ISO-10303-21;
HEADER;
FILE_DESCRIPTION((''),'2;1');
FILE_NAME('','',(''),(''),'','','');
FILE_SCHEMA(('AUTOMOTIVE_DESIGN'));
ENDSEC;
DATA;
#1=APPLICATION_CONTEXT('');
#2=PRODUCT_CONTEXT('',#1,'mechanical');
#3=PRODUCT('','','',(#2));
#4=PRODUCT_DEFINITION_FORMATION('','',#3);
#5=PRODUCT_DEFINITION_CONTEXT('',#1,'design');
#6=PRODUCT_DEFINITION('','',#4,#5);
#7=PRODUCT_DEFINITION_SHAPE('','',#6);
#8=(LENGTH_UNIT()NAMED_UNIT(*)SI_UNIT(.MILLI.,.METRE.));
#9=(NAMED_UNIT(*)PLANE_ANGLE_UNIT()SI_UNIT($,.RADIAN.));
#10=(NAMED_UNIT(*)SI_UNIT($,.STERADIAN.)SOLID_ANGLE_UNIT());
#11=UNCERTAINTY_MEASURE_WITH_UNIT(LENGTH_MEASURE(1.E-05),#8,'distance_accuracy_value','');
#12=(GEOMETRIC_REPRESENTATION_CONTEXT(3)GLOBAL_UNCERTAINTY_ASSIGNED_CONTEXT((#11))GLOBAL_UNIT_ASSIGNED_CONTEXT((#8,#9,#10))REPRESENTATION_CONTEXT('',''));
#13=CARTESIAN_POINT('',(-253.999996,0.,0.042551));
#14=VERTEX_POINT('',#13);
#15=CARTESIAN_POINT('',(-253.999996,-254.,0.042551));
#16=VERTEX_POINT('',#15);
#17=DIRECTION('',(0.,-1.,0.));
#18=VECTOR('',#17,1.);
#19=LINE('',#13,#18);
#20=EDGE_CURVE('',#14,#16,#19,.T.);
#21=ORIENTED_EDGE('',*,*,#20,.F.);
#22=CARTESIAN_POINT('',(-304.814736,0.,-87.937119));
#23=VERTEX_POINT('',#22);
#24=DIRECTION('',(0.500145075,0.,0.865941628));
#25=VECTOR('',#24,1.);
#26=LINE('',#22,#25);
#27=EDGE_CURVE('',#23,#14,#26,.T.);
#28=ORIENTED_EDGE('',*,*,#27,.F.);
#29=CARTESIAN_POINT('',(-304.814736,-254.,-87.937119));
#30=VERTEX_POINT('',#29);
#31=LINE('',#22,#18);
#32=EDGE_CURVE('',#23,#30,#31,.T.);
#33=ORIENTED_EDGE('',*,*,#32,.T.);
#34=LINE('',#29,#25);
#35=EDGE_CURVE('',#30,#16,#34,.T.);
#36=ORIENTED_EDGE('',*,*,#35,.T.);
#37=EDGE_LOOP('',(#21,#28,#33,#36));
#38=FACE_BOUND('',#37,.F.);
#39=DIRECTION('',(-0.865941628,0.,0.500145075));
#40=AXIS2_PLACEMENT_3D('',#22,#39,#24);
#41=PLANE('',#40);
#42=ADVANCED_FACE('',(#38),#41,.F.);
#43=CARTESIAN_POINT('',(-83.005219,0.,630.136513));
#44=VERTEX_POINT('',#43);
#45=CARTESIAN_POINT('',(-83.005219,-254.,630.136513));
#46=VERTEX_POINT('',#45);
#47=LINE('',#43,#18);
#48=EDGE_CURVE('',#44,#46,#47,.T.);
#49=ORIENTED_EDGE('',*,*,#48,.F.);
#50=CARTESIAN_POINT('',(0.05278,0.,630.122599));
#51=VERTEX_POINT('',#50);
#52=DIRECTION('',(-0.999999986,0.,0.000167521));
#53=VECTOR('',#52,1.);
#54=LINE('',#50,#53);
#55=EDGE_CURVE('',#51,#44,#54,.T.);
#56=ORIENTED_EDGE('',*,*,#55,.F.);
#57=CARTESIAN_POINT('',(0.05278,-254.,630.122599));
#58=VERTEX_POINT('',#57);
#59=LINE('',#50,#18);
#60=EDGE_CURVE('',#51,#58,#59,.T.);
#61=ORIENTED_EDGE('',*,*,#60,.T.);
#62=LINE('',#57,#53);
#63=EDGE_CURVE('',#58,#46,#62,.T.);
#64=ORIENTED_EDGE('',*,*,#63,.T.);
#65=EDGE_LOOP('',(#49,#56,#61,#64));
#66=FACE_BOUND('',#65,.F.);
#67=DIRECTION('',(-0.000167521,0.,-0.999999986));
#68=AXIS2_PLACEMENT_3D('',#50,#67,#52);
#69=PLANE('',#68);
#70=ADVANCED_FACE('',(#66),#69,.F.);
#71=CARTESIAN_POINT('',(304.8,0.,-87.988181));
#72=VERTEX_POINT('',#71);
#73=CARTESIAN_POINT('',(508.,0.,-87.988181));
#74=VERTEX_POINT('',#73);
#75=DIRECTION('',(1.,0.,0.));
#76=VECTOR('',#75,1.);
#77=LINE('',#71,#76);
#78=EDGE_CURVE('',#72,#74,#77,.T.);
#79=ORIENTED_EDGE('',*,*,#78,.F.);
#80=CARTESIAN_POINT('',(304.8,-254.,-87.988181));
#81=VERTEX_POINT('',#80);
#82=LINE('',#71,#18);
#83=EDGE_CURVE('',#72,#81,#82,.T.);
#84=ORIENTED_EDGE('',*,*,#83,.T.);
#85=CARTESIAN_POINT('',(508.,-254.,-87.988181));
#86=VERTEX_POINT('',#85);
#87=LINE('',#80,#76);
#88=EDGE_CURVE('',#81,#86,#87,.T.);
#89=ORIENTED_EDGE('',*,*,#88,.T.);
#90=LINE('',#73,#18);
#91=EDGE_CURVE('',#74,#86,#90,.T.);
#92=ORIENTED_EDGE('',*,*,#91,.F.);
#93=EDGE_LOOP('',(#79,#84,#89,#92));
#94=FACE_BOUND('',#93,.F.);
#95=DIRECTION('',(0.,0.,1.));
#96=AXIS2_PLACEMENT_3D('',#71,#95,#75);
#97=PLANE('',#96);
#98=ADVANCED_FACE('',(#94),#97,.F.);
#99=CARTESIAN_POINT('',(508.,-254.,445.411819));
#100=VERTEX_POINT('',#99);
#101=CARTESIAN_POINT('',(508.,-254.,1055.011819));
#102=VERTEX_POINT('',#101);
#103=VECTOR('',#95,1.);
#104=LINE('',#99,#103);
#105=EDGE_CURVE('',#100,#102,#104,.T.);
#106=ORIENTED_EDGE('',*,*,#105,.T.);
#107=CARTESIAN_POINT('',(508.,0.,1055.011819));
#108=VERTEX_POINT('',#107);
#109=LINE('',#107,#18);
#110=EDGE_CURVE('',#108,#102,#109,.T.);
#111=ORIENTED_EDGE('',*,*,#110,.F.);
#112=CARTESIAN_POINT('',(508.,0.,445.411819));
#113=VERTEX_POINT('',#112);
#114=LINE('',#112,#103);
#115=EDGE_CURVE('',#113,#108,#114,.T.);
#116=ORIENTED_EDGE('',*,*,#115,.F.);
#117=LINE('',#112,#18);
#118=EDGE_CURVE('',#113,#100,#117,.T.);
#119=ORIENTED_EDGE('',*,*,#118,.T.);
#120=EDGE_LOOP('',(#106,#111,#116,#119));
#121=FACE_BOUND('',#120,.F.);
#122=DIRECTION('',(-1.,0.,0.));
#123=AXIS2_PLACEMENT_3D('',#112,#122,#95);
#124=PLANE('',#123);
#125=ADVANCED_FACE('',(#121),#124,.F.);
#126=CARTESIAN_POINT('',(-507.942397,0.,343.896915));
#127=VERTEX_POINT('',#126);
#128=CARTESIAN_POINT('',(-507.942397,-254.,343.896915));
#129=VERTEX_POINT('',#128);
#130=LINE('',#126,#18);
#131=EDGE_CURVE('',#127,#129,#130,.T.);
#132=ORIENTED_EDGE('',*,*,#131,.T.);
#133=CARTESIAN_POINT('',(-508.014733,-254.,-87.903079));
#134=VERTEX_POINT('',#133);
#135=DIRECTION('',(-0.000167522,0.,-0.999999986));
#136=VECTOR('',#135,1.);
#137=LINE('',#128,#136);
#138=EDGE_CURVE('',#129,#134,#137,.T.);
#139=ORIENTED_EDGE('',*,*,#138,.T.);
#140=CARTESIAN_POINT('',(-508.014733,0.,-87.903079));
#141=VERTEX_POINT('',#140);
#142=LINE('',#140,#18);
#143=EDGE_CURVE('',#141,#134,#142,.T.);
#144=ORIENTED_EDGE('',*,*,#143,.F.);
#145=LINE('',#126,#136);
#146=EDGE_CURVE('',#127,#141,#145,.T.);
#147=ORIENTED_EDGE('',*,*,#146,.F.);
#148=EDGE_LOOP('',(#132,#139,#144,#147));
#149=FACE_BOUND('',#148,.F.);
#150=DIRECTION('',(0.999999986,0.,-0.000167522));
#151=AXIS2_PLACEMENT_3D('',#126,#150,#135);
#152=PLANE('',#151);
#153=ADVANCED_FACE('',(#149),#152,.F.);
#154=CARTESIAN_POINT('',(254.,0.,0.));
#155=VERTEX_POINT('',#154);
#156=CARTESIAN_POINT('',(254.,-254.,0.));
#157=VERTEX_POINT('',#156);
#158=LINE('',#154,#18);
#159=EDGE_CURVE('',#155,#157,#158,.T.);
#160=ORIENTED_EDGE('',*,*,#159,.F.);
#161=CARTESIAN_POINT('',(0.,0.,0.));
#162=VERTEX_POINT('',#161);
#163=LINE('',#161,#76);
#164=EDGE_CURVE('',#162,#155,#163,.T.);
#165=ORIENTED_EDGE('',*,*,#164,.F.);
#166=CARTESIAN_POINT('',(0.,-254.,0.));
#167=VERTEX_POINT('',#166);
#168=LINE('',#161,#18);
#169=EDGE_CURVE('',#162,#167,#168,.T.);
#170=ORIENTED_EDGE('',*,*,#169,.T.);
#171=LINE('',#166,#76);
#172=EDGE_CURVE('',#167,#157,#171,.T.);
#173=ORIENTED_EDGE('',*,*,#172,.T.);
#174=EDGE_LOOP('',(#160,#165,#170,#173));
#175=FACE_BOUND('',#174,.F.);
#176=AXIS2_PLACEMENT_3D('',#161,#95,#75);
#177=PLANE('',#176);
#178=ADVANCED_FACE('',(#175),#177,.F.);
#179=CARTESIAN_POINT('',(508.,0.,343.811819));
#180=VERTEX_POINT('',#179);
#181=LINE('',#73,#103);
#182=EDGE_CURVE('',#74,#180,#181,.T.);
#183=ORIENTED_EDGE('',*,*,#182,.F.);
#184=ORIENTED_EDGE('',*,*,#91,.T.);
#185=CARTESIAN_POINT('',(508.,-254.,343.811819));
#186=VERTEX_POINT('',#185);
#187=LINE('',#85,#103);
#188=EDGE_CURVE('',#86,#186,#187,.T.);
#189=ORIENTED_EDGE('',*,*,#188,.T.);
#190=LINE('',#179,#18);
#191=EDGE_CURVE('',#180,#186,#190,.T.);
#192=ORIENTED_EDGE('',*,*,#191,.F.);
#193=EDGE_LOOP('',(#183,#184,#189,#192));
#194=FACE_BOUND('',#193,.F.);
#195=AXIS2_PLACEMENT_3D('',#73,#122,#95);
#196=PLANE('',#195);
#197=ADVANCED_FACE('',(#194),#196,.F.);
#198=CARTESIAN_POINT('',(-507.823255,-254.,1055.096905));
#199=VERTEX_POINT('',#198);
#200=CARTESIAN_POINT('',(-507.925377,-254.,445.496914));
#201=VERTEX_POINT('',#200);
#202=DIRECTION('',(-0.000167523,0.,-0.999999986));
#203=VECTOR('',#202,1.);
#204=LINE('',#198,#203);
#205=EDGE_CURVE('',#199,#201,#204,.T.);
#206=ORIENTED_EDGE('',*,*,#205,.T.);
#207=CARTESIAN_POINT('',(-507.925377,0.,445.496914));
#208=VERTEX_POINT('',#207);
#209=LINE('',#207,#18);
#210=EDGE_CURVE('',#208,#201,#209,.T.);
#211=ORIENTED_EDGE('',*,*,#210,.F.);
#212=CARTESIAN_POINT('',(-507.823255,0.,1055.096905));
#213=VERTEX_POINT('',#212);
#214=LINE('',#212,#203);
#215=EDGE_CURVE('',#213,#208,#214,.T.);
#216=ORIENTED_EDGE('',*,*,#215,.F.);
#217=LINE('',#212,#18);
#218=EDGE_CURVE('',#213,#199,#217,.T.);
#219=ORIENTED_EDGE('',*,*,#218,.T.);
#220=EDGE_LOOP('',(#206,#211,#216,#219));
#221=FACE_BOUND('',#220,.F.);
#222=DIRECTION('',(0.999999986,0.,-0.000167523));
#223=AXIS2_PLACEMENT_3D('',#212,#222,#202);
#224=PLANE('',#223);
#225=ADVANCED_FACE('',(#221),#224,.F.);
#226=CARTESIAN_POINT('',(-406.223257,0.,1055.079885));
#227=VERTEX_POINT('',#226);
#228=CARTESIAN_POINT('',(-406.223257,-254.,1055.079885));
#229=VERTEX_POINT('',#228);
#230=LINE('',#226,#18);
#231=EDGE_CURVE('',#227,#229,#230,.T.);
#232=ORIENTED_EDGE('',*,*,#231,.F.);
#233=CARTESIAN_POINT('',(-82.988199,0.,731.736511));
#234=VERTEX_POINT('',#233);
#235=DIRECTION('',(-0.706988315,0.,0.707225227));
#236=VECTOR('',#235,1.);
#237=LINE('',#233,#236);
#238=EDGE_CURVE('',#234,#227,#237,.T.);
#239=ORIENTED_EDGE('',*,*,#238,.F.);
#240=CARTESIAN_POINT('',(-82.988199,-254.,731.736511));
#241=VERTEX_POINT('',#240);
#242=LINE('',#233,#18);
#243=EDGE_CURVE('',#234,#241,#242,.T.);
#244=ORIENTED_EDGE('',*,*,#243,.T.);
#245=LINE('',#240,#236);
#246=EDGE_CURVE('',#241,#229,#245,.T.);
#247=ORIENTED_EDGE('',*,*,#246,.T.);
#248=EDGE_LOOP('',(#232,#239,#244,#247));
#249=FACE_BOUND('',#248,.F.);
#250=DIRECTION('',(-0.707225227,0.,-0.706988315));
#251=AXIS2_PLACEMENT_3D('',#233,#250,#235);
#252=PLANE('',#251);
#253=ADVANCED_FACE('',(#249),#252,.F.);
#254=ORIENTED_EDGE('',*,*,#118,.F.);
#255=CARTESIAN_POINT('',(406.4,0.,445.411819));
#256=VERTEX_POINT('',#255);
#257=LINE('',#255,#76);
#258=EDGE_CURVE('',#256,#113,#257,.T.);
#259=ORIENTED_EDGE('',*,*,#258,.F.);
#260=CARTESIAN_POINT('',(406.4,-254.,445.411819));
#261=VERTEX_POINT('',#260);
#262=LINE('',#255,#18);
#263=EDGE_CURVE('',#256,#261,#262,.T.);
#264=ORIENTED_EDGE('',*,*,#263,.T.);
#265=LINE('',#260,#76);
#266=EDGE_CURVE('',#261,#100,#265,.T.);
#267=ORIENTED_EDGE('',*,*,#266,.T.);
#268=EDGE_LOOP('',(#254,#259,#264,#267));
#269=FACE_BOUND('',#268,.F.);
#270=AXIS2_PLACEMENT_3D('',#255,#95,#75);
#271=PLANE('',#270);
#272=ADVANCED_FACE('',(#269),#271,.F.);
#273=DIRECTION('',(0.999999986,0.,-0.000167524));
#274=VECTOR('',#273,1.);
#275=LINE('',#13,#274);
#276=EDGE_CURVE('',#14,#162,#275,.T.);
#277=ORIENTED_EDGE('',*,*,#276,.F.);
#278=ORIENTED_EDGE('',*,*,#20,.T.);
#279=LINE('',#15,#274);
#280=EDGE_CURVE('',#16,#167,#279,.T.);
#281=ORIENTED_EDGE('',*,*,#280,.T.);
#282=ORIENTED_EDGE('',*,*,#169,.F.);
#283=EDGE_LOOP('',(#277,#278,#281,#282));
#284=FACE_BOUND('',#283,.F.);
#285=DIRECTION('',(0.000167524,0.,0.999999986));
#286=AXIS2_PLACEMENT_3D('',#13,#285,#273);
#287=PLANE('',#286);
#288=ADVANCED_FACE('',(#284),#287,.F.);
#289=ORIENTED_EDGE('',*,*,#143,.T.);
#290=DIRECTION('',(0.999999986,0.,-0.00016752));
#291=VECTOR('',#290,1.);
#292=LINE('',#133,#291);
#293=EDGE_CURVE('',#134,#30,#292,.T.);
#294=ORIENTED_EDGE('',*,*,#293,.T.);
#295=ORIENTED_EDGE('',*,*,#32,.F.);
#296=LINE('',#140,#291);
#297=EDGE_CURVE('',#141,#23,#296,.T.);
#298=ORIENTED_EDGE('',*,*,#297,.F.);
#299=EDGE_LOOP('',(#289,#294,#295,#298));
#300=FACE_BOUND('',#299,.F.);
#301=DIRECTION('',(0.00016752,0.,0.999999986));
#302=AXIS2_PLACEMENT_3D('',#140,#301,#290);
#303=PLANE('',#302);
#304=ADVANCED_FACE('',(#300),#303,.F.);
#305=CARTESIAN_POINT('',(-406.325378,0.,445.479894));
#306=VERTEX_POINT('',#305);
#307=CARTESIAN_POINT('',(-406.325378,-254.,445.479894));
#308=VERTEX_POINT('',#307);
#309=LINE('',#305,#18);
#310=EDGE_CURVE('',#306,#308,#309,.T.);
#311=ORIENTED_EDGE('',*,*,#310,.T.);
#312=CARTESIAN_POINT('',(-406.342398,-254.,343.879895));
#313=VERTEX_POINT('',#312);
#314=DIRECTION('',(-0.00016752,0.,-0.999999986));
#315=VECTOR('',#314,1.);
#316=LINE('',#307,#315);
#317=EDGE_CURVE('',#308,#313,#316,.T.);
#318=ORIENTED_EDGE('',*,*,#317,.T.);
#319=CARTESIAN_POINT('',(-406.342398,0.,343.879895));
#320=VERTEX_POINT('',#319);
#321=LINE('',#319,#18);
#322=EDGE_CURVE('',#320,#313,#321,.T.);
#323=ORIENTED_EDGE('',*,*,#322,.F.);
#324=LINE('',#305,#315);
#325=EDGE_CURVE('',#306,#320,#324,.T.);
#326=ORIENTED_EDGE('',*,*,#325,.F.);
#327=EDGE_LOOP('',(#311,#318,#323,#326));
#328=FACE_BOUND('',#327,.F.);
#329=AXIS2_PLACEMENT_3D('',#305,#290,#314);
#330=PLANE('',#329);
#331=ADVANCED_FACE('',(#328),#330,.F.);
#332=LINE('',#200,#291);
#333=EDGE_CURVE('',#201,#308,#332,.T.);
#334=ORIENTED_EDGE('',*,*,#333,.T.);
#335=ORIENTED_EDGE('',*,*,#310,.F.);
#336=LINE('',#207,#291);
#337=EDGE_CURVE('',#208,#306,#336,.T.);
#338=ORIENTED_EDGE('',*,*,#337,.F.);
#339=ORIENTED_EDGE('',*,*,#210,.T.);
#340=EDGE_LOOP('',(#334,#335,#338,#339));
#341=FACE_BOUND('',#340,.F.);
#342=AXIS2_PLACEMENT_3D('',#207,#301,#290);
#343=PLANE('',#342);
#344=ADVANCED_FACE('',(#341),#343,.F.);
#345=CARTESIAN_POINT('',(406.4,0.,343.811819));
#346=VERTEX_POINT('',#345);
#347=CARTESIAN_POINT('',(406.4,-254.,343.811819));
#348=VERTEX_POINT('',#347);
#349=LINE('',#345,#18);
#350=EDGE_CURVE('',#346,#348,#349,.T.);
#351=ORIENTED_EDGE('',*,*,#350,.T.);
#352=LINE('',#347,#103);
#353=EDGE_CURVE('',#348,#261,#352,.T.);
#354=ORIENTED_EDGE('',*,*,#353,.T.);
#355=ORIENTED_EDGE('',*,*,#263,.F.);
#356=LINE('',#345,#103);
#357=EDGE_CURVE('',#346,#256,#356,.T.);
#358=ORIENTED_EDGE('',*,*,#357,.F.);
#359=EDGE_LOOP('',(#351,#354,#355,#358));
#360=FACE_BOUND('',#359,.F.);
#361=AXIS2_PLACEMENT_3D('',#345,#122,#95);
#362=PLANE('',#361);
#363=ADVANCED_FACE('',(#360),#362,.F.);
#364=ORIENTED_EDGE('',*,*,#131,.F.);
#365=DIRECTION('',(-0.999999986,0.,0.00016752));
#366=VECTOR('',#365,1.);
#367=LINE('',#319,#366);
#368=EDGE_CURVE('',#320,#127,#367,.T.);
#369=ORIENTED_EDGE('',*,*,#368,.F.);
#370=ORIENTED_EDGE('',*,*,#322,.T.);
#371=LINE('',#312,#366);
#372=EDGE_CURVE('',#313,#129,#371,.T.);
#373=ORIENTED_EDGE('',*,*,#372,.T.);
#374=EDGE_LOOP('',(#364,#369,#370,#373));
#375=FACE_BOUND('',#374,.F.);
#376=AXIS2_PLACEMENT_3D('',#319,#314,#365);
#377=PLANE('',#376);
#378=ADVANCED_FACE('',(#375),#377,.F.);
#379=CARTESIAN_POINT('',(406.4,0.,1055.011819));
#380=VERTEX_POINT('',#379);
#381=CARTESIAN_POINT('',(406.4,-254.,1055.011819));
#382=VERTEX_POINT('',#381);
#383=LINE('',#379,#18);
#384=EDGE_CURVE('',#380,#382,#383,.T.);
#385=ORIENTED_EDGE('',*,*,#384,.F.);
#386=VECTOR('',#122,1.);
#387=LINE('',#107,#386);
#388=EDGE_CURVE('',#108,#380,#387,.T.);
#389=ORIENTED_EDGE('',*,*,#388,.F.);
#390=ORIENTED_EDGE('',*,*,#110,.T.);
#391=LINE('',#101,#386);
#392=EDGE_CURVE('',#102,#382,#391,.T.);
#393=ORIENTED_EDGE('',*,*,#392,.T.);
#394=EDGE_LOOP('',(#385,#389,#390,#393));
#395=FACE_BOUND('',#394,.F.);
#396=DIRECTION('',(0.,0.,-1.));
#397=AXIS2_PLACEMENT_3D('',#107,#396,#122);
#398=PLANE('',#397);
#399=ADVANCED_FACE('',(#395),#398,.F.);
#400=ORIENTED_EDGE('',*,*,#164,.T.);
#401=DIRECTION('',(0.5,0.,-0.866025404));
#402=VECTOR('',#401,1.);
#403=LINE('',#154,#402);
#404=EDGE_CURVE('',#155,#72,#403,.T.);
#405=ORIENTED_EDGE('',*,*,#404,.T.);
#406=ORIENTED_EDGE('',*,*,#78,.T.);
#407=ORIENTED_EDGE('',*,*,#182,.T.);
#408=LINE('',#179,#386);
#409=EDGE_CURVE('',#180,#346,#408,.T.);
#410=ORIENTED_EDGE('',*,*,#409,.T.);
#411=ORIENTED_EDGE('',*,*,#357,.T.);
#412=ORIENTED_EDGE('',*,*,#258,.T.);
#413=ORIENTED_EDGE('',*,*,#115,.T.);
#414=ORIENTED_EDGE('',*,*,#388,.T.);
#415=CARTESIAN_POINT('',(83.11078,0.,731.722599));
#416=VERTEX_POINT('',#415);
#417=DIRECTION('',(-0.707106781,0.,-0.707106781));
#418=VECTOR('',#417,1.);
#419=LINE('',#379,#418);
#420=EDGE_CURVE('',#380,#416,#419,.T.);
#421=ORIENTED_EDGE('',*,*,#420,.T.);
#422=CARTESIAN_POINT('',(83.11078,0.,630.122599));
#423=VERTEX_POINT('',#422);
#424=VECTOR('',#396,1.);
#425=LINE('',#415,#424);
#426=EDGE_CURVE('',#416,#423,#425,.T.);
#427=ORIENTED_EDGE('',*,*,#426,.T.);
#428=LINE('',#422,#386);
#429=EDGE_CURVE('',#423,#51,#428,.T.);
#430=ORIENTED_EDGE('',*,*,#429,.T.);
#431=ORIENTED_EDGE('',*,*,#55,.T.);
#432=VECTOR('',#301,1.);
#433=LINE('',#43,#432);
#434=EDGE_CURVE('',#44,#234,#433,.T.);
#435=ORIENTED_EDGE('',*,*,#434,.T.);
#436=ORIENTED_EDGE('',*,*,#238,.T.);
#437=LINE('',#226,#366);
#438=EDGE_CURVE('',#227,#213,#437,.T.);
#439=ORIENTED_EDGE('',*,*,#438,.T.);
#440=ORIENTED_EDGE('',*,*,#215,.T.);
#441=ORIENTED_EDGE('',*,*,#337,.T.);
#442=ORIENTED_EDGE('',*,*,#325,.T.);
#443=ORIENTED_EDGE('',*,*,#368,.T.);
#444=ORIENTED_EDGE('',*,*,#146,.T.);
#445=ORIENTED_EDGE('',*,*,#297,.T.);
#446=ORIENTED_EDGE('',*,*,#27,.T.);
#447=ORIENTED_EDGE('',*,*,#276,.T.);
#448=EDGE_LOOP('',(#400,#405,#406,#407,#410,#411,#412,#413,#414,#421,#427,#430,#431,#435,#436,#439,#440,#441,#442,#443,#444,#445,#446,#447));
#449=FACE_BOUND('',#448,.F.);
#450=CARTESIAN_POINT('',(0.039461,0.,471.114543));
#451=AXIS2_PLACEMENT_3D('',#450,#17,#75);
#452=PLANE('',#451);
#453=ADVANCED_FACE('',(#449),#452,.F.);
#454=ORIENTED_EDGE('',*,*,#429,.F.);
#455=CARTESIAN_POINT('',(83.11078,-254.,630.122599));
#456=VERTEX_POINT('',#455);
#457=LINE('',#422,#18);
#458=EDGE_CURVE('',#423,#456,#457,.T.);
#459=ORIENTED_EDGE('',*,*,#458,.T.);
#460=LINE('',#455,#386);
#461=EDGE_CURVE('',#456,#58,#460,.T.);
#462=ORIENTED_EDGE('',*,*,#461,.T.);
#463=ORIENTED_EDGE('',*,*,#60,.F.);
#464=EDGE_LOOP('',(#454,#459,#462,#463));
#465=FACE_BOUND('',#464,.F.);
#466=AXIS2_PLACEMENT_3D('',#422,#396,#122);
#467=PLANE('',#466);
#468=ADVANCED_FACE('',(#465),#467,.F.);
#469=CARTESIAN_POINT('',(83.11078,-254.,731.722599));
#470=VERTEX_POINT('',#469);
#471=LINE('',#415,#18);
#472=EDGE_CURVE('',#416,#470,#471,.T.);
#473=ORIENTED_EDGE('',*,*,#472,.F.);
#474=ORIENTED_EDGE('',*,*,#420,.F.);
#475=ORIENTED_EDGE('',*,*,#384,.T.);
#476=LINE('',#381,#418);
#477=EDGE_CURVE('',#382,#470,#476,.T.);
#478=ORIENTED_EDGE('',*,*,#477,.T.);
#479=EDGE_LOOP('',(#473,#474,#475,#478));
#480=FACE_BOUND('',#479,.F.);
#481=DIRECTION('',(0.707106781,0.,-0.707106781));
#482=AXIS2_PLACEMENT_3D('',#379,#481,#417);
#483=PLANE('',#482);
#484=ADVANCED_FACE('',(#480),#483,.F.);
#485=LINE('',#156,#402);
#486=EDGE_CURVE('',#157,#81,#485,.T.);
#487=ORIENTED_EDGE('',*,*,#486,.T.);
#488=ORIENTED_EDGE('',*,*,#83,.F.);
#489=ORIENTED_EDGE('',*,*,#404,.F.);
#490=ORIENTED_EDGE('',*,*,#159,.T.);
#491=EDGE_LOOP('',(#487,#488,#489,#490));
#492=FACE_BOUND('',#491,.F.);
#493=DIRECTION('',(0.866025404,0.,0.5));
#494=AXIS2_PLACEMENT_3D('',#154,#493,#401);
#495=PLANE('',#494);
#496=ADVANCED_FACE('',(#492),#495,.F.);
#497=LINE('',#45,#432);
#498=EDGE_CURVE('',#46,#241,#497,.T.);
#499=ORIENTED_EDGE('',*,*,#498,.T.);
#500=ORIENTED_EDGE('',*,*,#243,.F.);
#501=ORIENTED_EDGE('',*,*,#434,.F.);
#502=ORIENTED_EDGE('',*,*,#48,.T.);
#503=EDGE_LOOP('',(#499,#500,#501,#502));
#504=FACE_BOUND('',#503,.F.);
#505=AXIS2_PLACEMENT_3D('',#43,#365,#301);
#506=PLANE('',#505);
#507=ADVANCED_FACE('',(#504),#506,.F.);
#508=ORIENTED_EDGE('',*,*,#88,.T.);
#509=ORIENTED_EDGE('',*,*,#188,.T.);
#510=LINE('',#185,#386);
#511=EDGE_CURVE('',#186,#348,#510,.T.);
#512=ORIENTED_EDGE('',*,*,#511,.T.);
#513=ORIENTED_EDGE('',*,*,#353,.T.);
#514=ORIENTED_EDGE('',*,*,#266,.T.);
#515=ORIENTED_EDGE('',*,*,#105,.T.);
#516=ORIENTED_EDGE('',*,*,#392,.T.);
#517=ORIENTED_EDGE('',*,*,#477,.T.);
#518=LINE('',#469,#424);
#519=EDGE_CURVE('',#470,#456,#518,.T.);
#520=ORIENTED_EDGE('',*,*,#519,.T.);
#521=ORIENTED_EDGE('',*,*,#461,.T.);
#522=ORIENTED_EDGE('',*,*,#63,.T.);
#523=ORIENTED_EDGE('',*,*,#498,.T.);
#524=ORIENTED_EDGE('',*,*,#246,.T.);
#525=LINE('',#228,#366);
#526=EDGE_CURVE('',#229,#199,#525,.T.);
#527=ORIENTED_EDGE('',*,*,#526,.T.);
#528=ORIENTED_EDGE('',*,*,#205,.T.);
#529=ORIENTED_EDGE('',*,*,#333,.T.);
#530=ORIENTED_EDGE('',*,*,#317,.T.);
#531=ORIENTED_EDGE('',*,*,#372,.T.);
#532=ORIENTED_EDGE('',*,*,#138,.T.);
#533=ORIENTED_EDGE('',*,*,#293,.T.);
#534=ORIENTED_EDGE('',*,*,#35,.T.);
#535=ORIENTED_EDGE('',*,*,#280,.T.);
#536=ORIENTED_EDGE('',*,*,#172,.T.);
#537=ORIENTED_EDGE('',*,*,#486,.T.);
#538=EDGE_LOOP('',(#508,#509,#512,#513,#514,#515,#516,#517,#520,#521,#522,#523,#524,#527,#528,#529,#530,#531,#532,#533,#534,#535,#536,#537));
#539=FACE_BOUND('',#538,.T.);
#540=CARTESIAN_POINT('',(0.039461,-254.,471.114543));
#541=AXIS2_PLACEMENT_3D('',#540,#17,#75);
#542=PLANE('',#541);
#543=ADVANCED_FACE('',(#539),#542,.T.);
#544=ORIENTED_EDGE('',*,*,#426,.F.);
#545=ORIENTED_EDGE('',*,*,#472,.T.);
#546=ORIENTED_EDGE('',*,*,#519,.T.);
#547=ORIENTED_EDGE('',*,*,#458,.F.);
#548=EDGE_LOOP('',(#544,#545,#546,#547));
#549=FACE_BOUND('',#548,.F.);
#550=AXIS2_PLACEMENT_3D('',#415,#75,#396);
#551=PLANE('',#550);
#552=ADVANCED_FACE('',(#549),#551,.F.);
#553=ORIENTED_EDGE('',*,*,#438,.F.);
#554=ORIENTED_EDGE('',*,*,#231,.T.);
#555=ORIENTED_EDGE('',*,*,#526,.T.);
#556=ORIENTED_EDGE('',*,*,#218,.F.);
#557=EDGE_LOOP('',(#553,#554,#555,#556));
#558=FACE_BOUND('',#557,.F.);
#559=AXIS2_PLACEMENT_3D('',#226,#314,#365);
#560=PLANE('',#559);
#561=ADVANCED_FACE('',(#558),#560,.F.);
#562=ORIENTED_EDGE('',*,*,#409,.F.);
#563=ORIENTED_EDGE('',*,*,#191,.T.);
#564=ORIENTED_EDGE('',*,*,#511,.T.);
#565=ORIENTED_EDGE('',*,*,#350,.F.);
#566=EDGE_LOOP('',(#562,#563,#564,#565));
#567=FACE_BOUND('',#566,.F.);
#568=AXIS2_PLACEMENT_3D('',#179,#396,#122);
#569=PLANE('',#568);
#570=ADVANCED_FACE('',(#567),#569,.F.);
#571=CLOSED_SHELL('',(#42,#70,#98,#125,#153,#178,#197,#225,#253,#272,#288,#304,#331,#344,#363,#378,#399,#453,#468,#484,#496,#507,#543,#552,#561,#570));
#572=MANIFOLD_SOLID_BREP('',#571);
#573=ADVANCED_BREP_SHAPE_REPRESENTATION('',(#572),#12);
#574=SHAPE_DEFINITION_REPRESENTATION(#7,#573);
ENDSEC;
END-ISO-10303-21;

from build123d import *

# Parameters (mm, degrees)
F1_DEPTH = 254


with BuildPart() as f1:
    # F0 (on Front) → F1 (new body)
    with BuildSketch(Plane.XZ):
        Polygon((-253.999996, 0.042551), (0, 0), (254, 0), (304.8, -87.988181), (508, -87.988181), (508, 343.811819), (406.4, 343.811819), (406.4, 445.411819), (508, 445.411819), (508, 1055.011819), (406.4, 1055.011819), (83.11078, 731.722599), (83.11078, 630.122599), (0.05278, 630.122599), (-83.005219, 630.136513), (-82.988199, 731.736511), (-406.223257, 1055.079885), (-507.823255, 1055.096905), (-507.925377, 445.496914), (-406.325378, 445.479894), (-406.342398, 343.879895), (-507.942397, 343.896915), (-508.014733, -87.903079), (-304.814736, -87.937119), align=None)
    extrude(amount=F1_DEPTH)


solid = f1.part
